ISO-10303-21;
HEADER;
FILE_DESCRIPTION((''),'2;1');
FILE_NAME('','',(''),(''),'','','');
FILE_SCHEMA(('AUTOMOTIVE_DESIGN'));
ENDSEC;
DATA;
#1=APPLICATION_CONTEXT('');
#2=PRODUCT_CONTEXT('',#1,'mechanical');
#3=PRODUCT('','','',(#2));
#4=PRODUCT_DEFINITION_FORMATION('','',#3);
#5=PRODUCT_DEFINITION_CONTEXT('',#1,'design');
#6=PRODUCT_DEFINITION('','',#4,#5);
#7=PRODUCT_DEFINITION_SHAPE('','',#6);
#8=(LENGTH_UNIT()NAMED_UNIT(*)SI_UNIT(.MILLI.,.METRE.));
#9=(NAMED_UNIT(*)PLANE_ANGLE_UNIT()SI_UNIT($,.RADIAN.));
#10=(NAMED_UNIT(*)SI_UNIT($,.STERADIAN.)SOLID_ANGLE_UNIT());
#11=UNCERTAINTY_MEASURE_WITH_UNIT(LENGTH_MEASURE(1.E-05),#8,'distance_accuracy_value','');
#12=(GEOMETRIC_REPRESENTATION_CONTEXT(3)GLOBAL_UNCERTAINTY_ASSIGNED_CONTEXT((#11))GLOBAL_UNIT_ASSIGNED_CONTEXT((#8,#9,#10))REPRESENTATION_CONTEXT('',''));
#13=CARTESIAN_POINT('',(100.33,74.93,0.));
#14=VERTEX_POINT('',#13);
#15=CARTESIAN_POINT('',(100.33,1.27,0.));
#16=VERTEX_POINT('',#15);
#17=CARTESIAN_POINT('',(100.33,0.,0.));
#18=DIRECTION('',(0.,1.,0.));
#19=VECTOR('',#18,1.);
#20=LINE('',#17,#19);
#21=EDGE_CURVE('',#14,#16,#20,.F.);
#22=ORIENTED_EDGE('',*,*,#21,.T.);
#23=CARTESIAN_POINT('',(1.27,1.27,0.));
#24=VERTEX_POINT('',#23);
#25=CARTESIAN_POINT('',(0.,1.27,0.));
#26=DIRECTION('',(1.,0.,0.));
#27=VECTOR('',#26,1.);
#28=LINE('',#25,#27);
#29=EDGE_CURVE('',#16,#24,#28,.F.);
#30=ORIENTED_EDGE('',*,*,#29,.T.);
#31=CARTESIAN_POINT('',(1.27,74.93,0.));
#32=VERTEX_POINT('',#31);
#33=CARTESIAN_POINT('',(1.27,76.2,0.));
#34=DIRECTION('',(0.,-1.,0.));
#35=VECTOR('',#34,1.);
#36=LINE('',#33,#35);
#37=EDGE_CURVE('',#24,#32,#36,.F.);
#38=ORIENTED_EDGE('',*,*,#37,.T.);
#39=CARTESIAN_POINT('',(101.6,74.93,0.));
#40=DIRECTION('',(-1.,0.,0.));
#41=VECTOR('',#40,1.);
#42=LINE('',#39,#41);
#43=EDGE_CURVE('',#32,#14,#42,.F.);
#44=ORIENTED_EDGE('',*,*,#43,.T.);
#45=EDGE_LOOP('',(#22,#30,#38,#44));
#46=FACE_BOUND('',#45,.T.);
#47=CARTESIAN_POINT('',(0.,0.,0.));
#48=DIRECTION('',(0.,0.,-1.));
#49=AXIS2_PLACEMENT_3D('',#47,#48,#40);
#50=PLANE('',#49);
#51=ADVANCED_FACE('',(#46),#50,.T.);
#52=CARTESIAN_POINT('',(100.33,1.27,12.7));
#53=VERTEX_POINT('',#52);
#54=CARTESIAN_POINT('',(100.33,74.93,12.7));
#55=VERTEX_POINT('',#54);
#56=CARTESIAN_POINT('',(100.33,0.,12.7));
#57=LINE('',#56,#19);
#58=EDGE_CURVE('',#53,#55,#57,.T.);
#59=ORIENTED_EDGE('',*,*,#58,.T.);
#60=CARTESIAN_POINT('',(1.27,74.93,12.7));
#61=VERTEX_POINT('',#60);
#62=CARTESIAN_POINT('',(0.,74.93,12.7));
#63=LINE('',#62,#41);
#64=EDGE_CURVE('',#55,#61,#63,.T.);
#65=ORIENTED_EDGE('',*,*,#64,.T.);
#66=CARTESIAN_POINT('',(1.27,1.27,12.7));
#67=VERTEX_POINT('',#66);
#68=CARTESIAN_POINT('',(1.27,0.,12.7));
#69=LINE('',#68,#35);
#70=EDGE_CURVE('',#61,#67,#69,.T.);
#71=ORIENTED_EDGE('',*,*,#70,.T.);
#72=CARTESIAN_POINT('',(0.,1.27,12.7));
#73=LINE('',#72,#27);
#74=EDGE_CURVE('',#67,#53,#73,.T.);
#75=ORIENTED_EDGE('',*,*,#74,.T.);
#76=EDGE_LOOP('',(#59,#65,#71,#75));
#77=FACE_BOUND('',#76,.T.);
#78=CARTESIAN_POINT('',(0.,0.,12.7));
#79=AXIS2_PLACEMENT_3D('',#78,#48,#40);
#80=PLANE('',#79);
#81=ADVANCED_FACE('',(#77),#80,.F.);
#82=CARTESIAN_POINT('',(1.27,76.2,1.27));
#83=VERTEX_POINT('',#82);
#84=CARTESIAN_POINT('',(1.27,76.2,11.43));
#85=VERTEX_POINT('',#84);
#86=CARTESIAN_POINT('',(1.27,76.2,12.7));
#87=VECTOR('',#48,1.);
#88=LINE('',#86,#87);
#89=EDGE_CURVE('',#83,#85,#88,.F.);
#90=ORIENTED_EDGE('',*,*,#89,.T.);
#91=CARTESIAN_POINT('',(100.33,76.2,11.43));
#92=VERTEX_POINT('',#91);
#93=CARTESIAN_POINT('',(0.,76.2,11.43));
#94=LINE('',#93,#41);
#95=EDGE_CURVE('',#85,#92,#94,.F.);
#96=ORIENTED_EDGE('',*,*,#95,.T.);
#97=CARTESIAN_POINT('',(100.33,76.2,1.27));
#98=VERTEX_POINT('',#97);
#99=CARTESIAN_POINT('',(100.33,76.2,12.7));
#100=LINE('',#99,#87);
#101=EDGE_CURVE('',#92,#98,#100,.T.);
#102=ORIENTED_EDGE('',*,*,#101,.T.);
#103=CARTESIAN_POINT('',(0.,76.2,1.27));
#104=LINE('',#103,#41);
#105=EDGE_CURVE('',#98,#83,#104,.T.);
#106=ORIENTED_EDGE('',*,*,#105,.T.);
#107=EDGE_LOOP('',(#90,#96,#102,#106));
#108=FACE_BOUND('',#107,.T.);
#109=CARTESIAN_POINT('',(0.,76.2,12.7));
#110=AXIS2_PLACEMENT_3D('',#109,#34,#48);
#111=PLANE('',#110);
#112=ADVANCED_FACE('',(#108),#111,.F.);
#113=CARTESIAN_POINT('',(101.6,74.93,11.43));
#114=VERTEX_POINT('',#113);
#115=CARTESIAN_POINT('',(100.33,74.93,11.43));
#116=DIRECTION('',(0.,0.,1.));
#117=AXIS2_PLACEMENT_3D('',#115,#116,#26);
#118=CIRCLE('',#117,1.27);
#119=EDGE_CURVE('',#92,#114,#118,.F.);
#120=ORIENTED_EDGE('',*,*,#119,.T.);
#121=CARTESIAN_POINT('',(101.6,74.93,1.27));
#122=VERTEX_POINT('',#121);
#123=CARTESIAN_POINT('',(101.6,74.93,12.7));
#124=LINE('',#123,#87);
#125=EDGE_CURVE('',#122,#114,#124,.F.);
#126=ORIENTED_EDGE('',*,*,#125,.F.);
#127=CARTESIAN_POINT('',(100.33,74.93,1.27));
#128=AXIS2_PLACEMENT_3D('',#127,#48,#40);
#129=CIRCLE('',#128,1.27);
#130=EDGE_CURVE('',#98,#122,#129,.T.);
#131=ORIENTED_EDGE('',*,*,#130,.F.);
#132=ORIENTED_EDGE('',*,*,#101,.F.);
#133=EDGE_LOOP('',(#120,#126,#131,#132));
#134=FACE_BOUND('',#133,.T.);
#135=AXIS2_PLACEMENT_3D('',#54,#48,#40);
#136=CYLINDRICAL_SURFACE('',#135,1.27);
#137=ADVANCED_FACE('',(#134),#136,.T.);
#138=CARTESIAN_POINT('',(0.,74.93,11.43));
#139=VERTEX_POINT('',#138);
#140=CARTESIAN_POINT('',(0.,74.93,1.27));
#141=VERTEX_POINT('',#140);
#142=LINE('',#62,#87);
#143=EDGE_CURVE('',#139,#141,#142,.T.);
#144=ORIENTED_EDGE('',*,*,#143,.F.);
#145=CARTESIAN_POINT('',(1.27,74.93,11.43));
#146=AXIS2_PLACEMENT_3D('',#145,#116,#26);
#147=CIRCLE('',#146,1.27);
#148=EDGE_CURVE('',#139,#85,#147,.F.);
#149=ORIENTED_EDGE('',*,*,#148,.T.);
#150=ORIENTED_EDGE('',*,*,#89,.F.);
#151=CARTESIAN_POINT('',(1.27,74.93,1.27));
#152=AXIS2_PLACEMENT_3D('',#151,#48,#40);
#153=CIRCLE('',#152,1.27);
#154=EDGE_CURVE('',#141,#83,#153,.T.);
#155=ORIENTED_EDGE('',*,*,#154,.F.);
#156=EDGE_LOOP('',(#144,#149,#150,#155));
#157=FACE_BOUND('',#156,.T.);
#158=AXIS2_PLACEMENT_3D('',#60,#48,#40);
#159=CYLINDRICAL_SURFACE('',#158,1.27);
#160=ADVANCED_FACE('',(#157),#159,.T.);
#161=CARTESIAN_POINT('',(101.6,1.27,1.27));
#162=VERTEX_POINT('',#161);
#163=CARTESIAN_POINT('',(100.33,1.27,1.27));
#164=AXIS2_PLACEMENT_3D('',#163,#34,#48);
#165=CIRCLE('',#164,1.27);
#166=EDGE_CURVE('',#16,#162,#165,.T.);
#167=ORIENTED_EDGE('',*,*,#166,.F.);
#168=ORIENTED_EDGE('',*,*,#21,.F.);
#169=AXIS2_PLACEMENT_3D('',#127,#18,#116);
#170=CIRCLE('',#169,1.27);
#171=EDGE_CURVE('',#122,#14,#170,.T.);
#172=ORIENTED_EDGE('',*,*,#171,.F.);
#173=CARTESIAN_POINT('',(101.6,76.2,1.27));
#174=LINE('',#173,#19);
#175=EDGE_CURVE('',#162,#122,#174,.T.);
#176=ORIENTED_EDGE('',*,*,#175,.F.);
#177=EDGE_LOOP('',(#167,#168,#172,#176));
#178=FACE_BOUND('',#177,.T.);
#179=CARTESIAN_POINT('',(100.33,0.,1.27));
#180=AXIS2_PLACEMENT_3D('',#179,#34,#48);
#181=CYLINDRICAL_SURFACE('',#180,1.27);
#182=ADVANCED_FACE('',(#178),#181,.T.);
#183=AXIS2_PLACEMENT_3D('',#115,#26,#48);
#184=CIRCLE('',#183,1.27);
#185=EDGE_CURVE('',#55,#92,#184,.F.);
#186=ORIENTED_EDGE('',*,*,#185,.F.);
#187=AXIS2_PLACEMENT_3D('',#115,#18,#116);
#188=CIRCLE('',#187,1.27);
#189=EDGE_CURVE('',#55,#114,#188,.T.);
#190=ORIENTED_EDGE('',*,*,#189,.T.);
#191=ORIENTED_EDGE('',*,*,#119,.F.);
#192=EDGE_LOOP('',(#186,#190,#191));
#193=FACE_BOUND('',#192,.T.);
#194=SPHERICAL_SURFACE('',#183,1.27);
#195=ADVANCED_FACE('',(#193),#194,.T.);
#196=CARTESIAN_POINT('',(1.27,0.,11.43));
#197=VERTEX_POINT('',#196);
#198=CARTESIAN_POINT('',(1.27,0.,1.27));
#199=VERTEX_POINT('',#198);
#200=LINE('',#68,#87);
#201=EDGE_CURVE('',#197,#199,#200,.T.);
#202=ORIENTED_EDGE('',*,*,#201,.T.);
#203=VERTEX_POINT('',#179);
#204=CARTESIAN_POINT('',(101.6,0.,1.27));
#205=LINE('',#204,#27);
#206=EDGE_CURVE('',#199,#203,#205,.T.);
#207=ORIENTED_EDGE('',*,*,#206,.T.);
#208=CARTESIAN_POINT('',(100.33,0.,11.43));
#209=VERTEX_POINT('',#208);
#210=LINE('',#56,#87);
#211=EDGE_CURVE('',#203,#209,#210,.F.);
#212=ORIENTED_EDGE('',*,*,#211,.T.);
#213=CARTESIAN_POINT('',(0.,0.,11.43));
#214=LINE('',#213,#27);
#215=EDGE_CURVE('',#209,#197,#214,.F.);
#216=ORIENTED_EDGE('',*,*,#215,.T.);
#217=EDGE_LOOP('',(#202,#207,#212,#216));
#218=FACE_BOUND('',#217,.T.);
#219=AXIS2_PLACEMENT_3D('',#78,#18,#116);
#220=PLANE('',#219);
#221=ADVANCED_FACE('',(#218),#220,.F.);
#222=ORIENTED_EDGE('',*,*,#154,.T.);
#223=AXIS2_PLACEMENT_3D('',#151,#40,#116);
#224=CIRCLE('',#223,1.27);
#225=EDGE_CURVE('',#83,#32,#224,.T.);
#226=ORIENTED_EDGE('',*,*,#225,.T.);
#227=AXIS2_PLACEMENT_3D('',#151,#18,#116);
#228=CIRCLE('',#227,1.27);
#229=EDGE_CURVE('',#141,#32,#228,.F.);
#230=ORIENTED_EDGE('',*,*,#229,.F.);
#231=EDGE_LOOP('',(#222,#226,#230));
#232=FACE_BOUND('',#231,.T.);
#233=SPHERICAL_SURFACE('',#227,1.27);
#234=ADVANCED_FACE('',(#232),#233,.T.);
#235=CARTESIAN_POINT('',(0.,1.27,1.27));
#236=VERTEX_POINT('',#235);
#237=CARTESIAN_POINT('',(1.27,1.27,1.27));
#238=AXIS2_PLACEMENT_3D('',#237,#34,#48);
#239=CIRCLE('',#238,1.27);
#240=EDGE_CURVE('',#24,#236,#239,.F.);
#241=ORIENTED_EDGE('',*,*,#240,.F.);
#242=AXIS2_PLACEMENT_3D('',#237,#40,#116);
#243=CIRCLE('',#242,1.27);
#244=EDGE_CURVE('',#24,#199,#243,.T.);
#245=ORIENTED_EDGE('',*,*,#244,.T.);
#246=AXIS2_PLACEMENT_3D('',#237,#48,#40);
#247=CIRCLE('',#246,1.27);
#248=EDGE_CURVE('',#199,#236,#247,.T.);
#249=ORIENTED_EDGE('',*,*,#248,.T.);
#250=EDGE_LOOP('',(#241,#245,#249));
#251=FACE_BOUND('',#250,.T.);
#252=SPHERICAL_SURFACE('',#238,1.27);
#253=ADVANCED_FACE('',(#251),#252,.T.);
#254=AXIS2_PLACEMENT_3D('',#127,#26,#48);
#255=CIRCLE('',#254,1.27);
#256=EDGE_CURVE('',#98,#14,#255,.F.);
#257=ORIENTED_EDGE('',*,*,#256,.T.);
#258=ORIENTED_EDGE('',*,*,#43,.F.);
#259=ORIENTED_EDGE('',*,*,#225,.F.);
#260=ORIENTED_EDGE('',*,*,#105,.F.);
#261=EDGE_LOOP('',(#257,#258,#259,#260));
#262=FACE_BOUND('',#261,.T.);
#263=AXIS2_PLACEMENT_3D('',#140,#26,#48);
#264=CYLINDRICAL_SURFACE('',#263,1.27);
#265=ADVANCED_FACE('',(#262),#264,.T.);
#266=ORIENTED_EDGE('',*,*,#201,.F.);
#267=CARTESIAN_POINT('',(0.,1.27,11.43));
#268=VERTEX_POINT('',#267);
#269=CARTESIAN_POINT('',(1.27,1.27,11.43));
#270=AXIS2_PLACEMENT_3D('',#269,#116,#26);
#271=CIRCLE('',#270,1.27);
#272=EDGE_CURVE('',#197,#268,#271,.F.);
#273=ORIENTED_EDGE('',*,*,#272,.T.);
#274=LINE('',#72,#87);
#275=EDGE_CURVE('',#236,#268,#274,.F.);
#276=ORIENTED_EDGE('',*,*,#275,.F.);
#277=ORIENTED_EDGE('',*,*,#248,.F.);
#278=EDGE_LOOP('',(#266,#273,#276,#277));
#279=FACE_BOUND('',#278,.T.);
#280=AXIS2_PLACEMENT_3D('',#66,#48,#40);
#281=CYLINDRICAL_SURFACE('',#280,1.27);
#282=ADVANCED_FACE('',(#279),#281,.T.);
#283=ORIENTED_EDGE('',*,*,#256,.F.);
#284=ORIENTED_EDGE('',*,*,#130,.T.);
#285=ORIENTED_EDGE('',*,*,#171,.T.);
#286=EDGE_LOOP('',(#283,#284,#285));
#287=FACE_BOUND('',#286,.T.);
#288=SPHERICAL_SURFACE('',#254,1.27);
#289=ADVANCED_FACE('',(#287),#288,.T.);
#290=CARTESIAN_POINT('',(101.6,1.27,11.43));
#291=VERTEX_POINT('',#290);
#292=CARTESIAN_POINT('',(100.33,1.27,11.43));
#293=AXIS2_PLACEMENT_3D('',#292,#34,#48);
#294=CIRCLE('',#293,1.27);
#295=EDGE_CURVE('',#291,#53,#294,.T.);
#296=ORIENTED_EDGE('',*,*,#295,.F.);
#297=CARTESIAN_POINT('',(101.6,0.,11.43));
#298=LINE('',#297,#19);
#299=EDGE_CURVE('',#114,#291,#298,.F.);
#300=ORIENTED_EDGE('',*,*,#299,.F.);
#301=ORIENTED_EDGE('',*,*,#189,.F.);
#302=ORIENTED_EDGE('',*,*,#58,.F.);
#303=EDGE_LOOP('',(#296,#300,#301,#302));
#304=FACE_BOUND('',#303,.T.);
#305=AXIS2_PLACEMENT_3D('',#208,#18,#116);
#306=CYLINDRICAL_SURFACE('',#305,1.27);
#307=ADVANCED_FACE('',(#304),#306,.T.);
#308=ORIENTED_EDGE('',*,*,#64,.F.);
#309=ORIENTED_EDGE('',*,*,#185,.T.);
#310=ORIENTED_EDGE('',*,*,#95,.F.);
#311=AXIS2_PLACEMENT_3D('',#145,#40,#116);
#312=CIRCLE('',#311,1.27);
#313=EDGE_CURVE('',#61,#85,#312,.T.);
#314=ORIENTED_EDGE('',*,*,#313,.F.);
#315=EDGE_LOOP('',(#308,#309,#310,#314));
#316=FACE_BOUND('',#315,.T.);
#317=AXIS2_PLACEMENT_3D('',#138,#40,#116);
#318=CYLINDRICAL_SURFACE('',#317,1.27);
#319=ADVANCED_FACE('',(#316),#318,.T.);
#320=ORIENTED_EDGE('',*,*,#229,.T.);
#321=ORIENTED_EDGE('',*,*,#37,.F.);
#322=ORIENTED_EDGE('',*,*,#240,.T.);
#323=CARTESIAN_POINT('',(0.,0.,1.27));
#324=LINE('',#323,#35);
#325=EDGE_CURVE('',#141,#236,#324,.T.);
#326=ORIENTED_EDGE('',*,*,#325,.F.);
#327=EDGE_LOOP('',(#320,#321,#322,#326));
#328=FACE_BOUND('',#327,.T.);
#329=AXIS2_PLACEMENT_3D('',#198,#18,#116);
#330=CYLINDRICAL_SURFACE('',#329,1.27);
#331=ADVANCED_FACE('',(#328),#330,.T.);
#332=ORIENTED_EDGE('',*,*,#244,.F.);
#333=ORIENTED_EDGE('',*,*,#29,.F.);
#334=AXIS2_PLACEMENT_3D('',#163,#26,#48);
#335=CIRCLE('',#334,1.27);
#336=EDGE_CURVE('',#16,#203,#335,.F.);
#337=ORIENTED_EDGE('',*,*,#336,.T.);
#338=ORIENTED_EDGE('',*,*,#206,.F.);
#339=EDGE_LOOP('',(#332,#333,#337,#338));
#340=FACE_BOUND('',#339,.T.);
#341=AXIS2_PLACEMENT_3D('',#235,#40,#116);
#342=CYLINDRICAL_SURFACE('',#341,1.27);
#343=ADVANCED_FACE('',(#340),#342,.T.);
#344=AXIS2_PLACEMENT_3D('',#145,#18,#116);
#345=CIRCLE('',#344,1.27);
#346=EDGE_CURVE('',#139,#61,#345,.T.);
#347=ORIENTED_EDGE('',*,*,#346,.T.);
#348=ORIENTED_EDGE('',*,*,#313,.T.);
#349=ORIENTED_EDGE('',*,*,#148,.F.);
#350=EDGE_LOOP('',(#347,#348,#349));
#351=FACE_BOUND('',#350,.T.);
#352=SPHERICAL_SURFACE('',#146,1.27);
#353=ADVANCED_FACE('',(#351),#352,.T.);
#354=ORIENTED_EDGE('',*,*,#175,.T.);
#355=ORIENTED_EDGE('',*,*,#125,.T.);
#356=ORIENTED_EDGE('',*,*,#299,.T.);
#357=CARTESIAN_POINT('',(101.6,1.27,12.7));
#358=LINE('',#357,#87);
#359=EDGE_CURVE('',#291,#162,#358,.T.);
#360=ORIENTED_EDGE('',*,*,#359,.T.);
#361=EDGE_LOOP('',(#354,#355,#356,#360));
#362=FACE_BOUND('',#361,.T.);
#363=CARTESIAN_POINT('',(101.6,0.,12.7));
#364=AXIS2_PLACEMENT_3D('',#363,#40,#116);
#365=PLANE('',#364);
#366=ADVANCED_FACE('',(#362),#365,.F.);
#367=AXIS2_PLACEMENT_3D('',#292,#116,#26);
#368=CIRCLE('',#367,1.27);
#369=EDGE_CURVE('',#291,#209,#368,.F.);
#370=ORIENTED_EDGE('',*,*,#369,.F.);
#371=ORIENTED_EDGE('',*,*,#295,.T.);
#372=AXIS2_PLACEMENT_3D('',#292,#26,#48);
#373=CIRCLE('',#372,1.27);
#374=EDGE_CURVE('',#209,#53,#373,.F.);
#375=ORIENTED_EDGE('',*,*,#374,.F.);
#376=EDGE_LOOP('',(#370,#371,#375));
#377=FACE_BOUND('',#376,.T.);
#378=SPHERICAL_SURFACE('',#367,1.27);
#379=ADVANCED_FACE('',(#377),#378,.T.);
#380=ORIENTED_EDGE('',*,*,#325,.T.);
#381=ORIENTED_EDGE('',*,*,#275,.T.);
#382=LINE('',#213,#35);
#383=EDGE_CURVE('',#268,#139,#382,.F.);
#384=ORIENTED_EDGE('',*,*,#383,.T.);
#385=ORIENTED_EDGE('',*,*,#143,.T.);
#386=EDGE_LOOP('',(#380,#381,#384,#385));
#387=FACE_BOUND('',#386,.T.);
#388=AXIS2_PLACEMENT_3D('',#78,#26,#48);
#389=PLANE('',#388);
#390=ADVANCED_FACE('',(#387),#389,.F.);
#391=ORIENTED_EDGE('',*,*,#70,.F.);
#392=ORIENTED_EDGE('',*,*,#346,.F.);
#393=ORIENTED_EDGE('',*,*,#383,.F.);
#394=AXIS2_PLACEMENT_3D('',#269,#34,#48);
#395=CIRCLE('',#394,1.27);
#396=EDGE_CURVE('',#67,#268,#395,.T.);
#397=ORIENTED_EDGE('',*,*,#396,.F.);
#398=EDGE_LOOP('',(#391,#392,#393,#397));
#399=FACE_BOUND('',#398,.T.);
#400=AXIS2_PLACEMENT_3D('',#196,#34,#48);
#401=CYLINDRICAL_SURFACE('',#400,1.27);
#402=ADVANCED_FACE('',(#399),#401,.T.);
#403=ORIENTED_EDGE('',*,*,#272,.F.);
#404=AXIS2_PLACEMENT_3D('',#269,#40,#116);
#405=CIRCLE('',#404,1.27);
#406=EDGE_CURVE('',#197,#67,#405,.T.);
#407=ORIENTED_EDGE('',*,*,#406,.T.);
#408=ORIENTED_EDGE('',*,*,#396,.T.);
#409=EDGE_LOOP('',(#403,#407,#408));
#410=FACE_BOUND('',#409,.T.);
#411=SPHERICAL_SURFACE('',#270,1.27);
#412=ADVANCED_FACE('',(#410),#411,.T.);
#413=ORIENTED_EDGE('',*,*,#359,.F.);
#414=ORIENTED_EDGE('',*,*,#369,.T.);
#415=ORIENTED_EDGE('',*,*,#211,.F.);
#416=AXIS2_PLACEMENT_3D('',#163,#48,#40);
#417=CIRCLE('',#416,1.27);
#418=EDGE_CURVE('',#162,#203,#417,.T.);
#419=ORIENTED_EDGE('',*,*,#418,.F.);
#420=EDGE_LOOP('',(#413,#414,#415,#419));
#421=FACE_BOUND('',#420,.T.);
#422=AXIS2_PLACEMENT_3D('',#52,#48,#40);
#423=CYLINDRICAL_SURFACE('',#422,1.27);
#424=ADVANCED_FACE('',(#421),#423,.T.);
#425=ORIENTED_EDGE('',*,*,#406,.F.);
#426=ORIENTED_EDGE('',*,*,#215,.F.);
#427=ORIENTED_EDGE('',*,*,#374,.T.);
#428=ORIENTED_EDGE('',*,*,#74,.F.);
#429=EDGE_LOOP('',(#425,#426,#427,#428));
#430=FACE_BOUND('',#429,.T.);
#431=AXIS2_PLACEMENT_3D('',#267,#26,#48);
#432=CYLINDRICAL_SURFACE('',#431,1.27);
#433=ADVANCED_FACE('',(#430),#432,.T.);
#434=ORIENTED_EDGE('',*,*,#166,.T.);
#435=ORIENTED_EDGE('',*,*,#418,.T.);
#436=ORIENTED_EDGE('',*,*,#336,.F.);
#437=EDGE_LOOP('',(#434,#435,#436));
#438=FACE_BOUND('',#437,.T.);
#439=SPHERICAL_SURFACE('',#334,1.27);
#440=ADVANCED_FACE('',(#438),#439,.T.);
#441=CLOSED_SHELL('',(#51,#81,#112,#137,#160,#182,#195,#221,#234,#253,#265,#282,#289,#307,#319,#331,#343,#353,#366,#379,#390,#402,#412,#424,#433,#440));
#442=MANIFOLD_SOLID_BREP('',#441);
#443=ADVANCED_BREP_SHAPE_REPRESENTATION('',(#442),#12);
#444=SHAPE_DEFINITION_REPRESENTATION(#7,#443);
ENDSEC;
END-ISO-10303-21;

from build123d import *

# Parameters (mm, degrees)
SKETCH1_W           = 101.6
SKETCH1_H           = 76.2
BOSS_EXTRUDE1_DEPTH = 12.7
FILLET2_R           = 1.27


with BuildPart() as part:
    # Sketch1 → Boss-Extrude1 (new body)
    with BuildSketch(Plane.XY):
        with Locations((50.8, 38.1)):
            Rectangle(SKETCH1_W, SKETCH1_H)
    extrude(amount=BOSS_EXTRUDE1_DEPTH)

    # Fillet2
    fillet2_edges = [part.edges().sort_by_distance(p)[0] for p in [
        (101.6, 38.1, 12.7),
        (50.8, 76.2, 12.7),
        (0, 38.1, 12.7),
        (50.8, 76.2, 0),
        (101.6, 38.1, 0),
        (50.8, 0, 0),
        (0, 38.1, 0),
        (0, 76.2, 6.35),
        (101.6, 76.2, 6.35),
        (101.6, 0, 6.35),
        (0, 0, 6.35),
        (50.8, 0, 12.7),
    ]]
    fillet(fillet2_edges, radius=FILLET2_R)


solid = part.part
